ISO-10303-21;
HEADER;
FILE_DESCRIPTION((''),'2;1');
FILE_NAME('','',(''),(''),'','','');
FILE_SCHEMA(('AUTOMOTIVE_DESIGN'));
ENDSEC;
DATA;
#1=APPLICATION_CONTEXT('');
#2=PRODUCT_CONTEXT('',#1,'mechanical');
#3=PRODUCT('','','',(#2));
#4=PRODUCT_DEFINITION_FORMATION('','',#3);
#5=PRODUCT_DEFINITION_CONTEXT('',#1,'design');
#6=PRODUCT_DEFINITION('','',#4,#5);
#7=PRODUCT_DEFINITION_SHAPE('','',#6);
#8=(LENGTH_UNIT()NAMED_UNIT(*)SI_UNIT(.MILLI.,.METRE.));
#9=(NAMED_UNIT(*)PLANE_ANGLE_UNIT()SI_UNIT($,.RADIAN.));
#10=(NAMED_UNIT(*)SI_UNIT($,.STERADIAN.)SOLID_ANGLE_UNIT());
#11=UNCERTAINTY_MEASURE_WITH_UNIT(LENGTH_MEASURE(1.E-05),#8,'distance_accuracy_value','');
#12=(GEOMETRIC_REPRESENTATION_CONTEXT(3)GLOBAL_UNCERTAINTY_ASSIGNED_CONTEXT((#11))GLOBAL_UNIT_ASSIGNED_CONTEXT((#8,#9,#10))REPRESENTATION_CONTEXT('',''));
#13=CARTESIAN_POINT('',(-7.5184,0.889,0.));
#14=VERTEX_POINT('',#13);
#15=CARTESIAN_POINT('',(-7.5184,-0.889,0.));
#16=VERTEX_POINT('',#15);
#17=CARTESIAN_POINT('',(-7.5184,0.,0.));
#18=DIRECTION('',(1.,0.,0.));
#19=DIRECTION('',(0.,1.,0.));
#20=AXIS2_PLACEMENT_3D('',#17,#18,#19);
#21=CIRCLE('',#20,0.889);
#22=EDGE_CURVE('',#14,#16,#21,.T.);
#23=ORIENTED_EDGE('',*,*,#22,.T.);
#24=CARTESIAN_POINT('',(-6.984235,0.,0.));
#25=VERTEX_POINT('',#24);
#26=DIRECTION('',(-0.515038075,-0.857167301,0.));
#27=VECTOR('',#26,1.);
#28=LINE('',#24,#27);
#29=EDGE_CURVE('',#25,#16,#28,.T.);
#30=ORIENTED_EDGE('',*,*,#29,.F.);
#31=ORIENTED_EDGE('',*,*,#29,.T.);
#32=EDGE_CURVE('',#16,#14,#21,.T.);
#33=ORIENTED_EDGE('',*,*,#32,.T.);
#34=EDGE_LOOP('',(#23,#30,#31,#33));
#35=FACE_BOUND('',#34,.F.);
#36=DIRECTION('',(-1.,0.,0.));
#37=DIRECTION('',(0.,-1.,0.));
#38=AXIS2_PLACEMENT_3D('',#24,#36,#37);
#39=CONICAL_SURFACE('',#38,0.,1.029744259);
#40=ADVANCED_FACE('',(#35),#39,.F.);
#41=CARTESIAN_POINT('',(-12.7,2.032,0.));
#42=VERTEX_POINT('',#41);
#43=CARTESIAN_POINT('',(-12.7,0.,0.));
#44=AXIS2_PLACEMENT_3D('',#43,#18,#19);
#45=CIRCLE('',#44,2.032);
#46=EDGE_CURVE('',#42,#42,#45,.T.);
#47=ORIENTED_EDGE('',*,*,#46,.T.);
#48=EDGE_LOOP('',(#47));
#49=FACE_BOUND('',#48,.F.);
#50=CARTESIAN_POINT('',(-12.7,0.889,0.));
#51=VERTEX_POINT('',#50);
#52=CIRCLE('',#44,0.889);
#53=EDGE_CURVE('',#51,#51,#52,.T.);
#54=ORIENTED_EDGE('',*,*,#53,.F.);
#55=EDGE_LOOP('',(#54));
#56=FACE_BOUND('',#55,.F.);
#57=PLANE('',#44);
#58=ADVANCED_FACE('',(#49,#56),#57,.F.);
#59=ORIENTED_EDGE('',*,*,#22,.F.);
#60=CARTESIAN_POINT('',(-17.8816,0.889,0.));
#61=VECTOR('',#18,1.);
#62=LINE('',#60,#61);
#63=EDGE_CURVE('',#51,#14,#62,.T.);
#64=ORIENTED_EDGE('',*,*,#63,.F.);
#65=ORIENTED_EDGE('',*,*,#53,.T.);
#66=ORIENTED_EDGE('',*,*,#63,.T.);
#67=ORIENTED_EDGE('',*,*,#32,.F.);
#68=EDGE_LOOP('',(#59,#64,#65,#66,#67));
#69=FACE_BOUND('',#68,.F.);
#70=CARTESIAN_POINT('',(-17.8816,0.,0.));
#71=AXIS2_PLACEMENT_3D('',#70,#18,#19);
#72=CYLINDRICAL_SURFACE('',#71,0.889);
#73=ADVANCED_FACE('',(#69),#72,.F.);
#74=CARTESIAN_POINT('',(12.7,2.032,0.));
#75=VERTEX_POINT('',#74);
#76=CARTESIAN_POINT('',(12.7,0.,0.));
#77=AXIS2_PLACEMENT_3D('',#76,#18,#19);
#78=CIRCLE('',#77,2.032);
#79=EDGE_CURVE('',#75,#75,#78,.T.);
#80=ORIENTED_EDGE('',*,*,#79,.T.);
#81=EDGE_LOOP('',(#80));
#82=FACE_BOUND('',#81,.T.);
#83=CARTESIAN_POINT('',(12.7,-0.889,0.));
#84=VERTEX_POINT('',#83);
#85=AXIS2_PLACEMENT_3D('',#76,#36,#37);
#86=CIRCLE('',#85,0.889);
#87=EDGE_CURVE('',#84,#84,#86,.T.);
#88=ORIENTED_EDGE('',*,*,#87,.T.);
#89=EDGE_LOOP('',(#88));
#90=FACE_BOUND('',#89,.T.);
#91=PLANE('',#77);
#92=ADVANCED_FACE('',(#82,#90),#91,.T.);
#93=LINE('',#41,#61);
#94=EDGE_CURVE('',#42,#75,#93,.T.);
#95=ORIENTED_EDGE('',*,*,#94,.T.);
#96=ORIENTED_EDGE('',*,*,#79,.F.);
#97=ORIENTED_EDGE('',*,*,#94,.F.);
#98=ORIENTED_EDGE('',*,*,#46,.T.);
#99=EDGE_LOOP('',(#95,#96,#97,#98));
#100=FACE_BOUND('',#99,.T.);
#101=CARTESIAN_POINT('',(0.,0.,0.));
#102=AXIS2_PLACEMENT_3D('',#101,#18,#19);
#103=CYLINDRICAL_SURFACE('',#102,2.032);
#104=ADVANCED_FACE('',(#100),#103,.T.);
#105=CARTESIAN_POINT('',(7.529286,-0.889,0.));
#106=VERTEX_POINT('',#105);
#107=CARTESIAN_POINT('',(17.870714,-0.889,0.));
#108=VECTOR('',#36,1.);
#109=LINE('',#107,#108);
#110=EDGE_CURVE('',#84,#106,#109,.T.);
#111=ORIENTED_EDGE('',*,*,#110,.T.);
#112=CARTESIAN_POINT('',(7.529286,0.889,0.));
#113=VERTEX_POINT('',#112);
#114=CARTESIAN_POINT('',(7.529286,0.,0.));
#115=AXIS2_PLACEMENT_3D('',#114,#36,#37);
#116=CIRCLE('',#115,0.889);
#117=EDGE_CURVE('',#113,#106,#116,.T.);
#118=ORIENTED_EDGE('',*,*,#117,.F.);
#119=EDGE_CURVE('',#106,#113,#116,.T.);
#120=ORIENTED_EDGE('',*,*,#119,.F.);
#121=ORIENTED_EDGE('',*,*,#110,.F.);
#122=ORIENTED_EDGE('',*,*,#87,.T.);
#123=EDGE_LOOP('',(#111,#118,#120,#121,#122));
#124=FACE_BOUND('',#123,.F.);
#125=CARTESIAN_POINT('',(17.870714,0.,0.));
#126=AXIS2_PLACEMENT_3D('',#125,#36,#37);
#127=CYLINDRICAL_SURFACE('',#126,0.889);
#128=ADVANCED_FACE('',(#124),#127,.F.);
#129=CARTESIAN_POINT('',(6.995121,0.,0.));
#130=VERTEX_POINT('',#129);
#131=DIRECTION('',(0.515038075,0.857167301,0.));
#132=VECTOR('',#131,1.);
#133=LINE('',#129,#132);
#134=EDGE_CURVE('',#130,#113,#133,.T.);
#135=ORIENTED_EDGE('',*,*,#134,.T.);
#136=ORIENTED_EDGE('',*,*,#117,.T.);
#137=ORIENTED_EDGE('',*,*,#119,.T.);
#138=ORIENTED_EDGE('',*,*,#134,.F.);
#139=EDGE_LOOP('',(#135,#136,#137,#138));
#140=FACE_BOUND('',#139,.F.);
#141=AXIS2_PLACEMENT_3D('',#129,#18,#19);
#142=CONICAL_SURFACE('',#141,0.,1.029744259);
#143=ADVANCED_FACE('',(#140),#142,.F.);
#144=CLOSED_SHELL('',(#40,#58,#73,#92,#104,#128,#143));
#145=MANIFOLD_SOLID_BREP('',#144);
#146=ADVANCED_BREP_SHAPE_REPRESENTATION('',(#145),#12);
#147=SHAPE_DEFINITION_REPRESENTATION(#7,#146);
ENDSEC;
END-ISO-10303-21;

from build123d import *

# Parameters (mm, degrees)
F0_R     = 2.032
F1_DEPTH = 12.7
F3_D     = 1.778
F3_DEPTH = 5.1707142857
F3_TIP   = 0.5341650903
F5_D     = 1.778
F5_DEPTH = 5.1816
F5_TIP   = 0.5341650903


with BuildPart() as f1:
    # F0 (on Right) → F1 (new body, symmetric)
    with BuildSketch(Plane.YZ):
        Circle(F0_R)
    extrude(amount=F1_DEPTH, both=True)

    # F3
    with Locations(Plane.YZ.offset(12.7)):
        with Locations((0, 0)):
            Hole(F3_D / 2, depth=F3_DEPTH)
            with Locations((0, 0, -(F3_DEPTH + F3_TIP / 2))):  # 118° drill point
                Cone(0, F3_D / 2, F3_TIP, mode=Mode.SUBTRACT)

    # F5
    with Locations(Plane(origin=(-12.7, 0, 0), x_dir=(0, -1, 0), z_dir=(-1, 0, 0))):
        with Locations((0, 0)):
            Hole(F5_D / 2, depth=F5_DEPTH)
            with Locations((0, 0, -(F5_DEPTH + F5_TIP / 2))):  # 118° drill point
                Cone(0, F5_D / 2, F5_TIP, mode=Mode.SUBTRACT)


solid = f1.part
